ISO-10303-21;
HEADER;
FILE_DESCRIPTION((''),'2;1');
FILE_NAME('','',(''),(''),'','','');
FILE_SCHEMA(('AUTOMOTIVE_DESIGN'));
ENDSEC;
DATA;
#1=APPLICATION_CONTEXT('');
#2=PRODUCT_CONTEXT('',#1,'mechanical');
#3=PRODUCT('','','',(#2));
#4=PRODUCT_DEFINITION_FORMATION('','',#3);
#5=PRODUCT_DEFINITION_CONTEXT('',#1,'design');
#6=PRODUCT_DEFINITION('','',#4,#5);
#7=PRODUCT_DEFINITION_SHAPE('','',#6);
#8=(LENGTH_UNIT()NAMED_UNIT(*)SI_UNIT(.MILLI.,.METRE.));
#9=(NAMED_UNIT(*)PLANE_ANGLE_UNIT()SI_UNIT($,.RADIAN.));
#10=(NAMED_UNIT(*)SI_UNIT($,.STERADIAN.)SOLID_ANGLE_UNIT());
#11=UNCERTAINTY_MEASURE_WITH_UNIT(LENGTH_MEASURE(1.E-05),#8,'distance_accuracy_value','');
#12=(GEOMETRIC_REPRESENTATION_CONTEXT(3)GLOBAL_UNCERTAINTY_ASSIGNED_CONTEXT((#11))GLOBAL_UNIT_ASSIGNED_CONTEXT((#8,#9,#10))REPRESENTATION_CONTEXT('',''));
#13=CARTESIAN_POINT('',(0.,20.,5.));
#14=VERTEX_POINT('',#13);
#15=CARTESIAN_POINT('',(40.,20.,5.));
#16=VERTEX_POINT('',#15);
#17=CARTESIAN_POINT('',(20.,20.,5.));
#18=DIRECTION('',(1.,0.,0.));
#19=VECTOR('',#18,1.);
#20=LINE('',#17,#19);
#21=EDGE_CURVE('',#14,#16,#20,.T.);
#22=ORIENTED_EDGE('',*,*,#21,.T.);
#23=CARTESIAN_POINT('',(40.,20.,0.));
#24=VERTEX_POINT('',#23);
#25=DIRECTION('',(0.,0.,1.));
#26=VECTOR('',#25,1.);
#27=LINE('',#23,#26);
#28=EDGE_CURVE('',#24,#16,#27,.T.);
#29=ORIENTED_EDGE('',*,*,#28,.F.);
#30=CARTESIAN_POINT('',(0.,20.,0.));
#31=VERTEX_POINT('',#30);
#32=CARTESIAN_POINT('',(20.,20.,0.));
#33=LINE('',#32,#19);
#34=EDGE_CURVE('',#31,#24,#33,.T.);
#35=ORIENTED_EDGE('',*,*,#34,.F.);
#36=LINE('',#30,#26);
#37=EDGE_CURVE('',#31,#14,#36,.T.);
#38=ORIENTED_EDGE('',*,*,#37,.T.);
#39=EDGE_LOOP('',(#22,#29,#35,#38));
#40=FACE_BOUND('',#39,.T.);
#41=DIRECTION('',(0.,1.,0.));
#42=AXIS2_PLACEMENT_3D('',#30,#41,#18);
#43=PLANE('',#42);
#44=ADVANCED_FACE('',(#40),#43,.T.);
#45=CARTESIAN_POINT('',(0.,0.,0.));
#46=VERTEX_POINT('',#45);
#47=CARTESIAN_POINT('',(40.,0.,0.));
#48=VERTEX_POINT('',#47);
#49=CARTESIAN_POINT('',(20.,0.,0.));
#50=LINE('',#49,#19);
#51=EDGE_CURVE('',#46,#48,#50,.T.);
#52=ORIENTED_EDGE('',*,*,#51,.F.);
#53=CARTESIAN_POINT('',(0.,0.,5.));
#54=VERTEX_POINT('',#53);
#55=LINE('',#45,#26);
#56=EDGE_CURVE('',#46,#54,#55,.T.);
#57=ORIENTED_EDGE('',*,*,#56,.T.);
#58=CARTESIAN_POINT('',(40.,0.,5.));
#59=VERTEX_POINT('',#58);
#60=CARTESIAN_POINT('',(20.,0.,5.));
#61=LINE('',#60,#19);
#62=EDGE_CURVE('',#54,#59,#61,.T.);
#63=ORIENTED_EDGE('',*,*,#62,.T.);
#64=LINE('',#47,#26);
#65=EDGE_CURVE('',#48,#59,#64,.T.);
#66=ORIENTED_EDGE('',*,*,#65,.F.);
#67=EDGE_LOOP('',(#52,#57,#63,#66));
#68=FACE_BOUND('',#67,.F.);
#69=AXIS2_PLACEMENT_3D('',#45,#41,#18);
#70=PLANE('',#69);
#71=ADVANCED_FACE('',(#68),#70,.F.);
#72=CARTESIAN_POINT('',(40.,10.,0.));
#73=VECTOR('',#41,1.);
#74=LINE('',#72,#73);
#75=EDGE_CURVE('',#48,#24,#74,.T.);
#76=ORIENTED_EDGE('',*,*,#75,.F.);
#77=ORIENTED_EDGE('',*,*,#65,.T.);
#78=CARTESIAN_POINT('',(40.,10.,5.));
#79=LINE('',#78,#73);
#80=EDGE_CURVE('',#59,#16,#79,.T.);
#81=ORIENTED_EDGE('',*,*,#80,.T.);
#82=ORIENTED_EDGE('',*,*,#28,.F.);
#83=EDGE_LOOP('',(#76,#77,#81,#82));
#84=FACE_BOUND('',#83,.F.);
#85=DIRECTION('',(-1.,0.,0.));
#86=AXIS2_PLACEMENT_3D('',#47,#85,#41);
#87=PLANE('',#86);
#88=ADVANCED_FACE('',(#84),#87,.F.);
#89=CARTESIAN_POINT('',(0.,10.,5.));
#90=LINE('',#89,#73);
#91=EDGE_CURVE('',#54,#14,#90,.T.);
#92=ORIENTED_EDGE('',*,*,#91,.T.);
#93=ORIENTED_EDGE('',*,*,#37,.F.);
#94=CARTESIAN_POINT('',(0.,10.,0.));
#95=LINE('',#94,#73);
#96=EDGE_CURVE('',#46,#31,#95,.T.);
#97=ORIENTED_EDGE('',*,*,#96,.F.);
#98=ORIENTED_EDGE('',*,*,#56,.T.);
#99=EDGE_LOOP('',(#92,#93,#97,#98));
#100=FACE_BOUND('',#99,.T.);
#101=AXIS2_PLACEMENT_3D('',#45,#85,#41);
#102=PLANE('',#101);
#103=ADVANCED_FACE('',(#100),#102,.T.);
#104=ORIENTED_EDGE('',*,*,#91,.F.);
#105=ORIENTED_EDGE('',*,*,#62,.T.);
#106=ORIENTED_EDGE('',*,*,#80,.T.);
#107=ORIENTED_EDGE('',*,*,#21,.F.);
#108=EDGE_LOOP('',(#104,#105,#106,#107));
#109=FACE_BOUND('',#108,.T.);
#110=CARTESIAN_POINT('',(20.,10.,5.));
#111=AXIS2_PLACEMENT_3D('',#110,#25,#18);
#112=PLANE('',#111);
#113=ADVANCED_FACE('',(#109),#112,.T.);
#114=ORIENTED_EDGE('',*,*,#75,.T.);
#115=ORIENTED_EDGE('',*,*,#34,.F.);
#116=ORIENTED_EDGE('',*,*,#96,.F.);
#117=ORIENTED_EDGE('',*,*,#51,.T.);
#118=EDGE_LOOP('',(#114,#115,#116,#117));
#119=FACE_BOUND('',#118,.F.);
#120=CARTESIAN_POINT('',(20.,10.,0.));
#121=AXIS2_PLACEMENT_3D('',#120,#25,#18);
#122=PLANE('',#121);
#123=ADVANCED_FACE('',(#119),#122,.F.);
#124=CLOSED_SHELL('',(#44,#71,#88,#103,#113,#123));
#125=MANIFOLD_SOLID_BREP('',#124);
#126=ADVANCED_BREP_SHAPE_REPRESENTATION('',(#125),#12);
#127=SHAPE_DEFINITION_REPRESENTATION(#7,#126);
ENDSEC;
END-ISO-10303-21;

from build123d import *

# Parameters (mm, degrees)
SKETCH_W      = 40
SKETCH_H      = 20
EXTRUDE_DEPTH = 5


with BuildPart() as part:
    # Sketch → Extrude (new body)
    with BuildSketch(Plane.XY):
        with Locations((20, 10)):
            Rectangle(SKETCH_W, SKETCH_H)
    extrude(amount=EXTRUDE_DEPTH)


solid = part.part
